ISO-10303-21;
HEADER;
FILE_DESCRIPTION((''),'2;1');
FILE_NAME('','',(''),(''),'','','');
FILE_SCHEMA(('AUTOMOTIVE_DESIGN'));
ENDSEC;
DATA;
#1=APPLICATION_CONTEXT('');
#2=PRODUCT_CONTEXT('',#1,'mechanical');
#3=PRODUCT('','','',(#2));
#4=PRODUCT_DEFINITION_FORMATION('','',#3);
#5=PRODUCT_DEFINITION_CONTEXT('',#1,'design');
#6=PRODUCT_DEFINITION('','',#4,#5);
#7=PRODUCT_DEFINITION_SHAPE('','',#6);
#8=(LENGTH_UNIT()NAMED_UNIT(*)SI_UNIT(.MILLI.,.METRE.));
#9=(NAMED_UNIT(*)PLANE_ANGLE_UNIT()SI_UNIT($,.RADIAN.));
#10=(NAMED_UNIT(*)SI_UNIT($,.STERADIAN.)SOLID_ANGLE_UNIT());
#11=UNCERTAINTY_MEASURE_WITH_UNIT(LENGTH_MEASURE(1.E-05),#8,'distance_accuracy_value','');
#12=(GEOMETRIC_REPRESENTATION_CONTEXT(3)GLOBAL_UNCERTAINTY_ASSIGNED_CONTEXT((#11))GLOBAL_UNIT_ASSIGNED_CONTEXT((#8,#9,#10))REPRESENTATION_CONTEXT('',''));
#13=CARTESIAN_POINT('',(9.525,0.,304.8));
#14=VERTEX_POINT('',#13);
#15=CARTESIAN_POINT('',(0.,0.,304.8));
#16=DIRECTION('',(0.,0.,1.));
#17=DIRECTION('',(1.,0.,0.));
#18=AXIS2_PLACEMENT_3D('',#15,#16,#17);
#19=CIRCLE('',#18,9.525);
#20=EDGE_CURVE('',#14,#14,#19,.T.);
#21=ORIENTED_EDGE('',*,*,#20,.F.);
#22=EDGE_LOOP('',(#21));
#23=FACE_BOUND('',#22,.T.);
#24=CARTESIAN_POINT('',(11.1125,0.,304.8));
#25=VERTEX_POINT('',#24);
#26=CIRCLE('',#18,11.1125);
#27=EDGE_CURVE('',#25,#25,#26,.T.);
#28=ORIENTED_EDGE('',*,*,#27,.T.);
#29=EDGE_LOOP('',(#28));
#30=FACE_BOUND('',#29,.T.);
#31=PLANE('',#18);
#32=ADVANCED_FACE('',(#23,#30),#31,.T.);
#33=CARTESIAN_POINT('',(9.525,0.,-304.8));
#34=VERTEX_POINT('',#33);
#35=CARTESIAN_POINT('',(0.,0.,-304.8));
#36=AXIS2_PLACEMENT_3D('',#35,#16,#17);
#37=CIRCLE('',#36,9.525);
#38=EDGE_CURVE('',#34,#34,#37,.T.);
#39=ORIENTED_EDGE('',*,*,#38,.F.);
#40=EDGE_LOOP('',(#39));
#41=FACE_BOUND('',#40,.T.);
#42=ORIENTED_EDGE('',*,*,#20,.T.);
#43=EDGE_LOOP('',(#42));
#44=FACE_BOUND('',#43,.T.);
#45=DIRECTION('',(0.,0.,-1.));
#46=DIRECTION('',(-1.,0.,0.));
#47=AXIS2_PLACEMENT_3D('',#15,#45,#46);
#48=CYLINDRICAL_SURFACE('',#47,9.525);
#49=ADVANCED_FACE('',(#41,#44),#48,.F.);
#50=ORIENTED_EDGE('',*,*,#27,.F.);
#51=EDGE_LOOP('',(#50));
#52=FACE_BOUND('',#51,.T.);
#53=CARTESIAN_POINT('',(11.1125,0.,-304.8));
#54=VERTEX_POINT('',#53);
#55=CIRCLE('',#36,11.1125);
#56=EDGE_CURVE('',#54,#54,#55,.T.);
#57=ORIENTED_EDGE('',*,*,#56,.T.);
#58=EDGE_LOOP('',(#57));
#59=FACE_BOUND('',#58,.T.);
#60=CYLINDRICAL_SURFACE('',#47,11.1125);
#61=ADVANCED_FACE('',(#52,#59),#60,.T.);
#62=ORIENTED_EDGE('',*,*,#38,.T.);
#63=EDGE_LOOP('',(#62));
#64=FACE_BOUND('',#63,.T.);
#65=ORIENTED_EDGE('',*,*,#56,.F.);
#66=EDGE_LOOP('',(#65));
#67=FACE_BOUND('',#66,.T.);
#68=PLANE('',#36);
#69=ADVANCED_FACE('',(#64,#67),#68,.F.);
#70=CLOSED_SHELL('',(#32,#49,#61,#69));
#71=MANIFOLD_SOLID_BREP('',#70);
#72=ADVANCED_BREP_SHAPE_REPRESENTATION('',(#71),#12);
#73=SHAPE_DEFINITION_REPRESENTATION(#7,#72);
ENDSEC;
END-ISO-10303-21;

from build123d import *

# Parameters (mm, degrees)
SKETCH1_R           = 11.1125
SKETCH1_R_2         = 9.525
BOSS_EXTRUDE1_DEPTH = 304.8


with BuildPart() as part:
    # Sketch1 → Boss-Extrude1 (new body, symmetric)
    with BuildSketch(Plane.XY):
        Circle(SKETCH1_R)
        Circle(SKETCH1_R_2, mode=Mode.SUBTRACT)
    extrude(amount=BOSS_EXTRUDE1_DEPTH, both=True)


solid = part.part
